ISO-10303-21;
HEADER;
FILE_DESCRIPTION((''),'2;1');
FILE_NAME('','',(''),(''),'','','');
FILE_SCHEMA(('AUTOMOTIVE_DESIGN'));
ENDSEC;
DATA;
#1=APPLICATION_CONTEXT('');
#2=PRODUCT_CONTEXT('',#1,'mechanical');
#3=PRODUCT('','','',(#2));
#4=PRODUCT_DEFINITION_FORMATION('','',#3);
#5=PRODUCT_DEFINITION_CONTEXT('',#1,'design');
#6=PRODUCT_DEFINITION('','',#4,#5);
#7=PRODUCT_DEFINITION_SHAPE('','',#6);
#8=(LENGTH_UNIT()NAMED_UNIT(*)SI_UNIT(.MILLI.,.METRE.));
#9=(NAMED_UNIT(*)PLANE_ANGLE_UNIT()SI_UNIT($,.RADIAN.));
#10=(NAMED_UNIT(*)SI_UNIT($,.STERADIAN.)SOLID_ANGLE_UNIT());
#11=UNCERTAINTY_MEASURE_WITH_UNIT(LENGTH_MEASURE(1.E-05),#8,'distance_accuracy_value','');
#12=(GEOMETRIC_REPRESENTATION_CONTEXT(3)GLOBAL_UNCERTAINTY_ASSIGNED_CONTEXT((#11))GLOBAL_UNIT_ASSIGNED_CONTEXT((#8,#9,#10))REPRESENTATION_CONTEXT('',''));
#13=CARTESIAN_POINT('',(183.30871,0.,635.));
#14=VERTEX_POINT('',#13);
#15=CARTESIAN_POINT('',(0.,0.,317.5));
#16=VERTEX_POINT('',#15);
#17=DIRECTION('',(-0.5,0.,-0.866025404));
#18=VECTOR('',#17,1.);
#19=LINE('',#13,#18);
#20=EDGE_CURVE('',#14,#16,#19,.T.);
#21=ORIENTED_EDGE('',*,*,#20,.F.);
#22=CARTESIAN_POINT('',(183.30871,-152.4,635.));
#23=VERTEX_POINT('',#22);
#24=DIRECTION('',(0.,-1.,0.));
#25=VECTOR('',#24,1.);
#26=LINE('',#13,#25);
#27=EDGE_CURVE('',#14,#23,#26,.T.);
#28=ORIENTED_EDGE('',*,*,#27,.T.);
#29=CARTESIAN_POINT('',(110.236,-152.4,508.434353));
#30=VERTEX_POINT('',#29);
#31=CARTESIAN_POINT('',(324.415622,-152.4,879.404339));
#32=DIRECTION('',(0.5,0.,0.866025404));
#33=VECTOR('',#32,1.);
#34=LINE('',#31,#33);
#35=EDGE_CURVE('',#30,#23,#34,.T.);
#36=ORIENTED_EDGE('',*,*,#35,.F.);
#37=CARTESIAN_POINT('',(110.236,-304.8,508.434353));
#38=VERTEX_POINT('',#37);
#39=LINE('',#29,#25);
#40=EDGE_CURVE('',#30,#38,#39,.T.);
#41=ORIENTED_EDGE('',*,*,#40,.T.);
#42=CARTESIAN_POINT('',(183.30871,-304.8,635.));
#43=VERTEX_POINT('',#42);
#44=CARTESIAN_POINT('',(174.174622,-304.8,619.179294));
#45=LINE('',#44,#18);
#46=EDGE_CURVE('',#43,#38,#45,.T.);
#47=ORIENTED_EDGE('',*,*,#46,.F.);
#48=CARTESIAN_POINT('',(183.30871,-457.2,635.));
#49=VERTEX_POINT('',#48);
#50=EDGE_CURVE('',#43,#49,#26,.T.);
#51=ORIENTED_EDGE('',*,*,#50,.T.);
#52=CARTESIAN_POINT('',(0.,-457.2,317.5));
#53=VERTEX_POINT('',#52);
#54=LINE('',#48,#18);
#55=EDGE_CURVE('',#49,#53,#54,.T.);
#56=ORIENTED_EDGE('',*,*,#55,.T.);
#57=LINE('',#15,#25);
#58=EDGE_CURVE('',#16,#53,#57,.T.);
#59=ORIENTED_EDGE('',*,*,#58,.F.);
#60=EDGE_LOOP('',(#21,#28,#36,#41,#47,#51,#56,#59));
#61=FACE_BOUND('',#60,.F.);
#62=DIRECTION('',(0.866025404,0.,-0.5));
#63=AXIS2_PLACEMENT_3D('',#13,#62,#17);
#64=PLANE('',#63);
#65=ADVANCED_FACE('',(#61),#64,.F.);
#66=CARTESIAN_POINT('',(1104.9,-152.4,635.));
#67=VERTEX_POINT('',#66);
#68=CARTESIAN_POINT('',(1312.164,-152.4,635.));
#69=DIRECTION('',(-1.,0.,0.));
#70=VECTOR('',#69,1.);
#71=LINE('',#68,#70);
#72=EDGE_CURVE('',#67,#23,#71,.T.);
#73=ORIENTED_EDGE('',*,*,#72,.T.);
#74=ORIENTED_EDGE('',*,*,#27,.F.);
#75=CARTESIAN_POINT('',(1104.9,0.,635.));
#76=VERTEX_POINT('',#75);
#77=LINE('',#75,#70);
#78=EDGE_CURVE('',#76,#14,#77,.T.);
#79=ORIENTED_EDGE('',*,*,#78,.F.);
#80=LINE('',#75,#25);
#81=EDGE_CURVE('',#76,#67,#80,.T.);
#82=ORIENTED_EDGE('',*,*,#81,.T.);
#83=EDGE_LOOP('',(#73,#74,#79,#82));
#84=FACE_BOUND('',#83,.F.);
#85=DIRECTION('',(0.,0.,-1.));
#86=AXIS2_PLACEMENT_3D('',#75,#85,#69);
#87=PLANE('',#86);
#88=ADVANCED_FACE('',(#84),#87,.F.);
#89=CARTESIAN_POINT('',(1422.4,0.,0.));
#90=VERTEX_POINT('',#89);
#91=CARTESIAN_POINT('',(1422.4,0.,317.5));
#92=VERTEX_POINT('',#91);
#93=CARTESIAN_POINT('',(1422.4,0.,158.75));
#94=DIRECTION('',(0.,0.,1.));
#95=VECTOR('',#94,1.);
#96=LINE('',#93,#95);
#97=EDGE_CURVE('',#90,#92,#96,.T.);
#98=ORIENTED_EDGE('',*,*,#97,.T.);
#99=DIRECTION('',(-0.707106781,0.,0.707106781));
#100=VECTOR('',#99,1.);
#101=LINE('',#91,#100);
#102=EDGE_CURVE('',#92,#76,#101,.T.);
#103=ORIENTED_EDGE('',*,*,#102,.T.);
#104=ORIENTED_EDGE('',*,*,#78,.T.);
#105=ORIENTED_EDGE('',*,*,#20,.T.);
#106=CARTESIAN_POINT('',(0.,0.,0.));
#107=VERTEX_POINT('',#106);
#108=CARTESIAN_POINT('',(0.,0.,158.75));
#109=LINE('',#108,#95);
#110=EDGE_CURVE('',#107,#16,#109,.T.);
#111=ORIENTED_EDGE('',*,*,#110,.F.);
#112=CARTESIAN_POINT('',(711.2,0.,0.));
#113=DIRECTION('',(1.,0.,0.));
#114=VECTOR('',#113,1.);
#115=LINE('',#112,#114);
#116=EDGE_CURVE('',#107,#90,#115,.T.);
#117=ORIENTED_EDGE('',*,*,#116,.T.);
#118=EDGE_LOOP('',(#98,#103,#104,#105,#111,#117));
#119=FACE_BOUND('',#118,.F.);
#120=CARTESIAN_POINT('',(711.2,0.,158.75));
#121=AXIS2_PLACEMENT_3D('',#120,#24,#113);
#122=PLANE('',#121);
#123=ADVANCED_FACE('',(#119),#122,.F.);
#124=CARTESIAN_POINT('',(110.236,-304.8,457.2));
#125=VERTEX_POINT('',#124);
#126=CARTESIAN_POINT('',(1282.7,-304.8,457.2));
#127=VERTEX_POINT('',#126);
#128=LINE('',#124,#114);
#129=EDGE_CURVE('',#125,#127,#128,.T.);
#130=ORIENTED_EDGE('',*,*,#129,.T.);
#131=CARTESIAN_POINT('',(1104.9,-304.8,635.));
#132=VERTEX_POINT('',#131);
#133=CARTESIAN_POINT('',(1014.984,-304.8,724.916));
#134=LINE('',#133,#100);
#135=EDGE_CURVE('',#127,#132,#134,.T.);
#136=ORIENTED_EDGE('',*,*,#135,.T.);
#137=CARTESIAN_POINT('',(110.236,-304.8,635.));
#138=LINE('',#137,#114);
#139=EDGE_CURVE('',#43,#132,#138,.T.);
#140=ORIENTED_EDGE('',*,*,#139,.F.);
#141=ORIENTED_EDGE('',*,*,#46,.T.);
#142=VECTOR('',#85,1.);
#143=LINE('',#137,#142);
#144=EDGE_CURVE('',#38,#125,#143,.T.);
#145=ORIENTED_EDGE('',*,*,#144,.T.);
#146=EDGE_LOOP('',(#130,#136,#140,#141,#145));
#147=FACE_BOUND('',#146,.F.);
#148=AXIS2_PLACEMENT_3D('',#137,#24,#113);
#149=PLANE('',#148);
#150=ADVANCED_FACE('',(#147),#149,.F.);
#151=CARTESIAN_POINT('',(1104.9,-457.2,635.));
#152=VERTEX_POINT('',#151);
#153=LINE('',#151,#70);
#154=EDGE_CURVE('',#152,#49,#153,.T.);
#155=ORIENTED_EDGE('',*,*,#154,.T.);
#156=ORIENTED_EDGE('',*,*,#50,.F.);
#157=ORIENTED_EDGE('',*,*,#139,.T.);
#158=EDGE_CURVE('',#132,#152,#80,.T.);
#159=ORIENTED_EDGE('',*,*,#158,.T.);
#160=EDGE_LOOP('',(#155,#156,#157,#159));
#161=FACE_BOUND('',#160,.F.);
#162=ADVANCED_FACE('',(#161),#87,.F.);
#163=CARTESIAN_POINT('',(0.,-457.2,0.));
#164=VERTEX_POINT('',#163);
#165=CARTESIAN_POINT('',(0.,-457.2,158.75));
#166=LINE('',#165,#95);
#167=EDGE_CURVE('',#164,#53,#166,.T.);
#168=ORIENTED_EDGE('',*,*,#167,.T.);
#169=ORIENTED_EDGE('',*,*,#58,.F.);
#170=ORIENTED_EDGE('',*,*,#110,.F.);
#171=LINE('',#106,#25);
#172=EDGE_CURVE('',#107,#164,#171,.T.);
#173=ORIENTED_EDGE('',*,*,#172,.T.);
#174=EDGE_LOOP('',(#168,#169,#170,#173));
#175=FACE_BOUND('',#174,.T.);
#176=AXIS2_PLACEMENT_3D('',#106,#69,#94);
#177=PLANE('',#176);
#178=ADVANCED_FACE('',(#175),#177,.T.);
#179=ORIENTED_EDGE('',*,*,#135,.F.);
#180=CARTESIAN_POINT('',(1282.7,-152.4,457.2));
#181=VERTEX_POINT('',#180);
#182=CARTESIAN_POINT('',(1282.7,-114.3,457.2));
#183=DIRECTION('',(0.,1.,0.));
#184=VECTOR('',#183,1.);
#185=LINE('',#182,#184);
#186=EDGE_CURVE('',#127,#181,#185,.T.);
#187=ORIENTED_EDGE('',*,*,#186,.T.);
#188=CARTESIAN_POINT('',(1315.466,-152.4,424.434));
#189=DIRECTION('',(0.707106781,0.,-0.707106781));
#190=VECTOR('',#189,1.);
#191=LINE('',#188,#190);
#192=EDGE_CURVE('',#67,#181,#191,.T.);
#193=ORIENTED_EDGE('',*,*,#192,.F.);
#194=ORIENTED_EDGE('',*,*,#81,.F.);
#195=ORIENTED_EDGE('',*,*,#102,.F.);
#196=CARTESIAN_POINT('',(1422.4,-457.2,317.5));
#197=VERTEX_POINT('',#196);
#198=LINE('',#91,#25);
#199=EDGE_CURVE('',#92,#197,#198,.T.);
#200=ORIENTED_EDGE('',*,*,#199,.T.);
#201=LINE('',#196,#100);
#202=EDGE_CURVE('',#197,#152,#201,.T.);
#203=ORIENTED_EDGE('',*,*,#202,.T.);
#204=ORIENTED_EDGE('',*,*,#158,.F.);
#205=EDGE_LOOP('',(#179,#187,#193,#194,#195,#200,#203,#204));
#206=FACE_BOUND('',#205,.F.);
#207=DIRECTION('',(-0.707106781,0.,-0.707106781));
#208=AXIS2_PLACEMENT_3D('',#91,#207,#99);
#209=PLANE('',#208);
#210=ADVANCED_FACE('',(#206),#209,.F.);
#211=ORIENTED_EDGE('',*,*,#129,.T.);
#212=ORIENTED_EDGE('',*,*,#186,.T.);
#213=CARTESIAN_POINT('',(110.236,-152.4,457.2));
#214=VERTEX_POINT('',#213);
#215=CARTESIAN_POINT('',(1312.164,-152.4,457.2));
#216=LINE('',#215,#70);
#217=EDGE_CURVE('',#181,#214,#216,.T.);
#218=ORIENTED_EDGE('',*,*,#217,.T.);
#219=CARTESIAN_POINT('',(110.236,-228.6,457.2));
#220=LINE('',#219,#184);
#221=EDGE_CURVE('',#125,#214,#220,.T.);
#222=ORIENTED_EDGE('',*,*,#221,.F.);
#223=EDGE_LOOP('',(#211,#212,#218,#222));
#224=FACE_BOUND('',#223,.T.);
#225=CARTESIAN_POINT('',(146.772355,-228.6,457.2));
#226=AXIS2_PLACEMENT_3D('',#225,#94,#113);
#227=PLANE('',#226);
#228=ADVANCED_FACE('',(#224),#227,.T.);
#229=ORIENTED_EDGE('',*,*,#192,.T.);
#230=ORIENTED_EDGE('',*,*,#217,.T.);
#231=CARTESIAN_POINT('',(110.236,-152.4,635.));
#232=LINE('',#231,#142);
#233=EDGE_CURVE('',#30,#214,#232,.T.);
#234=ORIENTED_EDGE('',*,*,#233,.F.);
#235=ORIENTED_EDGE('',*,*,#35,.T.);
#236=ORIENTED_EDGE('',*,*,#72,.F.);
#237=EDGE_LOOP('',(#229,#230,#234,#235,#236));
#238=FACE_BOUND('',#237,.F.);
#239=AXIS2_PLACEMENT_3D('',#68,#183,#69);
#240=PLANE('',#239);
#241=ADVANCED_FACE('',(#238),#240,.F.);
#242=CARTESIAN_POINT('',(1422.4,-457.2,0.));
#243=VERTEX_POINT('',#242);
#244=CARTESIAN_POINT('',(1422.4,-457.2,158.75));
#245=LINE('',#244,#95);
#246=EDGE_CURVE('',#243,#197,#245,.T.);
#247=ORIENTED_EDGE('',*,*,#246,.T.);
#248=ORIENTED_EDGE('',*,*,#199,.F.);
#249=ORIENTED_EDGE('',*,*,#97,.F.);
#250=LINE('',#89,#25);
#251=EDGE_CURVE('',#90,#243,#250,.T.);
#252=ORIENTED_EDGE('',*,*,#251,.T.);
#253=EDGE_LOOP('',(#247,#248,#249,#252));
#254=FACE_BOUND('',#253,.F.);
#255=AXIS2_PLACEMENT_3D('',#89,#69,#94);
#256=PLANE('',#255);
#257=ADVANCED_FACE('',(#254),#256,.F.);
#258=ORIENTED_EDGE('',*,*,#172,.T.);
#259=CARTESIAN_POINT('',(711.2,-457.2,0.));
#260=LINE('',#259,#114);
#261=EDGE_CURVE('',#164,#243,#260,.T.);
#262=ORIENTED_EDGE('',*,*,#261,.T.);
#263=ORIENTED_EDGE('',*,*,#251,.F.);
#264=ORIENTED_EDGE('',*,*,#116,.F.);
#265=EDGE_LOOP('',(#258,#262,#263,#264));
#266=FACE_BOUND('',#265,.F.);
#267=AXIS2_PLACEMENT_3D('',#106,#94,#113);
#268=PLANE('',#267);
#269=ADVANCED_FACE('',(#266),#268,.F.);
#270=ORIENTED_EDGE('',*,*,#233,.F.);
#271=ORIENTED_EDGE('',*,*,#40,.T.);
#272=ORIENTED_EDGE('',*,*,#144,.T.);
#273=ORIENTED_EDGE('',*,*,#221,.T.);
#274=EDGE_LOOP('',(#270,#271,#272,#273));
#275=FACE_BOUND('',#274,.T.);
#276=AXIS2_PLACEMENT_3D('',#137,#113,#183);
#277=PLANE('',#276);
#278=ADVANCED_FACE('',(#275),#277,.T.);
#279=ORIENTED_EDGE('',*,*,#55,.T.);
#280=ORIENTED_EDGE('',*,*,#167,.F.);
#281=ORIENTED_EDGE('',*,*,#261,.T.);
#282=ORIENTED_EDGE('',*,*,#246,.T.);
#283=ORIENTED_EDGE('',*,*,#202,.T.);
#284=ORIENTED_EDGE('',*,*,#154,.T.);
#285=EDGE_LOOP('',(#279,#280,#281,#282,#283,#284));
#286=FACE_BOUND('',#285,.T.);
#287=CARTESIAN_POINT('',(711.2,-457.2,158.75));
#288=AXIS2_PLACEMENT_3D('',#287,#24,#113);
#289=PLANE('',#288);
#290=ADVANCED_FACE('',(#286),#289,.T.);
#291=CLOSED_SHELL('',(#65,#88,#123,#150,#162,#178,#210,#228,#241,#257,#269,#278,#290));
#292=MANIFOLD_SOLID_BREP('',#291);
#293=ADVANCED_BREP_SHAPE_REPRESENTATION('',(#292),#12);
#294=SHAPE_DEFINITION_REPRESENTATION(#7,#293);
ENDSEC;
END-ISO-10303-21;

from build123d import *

# Parameters (mm, degrees)
F0_W     = 1422.4
F0_H     = 317.5
F1_DEPTH = 457.2
F2_W     = 73.0727104677
F2_H     = 152.4
F2_W_2   = 207.264
F2_W_3   = 921.5912895323
F3_DEPTH = 177.8


with BuildPart() as f1:
    # F0 (on Front) → F1 (new body)
    with BuildSketch(Plane.XZ):
        with Locations((711.2, 158.75)):
            Rectangle(F0_W, F0_H)
        Polygon((183.3087104677, 635), (0, 317.5), (1422.4, 317.5), (1104.9, 635), align=None)
    extrude(amount=F1_DEPTH)

    # F2 (on face) → F3 (cut)
    with BuildSketch(Plane.XY.offset(635)):
        with Locations((146.7723552339, -228.6)):
            Rectangle(F2_W, F2_H)
        with Locations((1208.532, -228.6)):
            Rectangle(F2_W_2, F2_H)
        with Locations((644.1043552339, -228.6)):
            Rectangle(F2_W_3, F2_H)
    extrude(amount=-F3_DEPTH, mode=Mode.SUBTRACT)


solid = f1.part
